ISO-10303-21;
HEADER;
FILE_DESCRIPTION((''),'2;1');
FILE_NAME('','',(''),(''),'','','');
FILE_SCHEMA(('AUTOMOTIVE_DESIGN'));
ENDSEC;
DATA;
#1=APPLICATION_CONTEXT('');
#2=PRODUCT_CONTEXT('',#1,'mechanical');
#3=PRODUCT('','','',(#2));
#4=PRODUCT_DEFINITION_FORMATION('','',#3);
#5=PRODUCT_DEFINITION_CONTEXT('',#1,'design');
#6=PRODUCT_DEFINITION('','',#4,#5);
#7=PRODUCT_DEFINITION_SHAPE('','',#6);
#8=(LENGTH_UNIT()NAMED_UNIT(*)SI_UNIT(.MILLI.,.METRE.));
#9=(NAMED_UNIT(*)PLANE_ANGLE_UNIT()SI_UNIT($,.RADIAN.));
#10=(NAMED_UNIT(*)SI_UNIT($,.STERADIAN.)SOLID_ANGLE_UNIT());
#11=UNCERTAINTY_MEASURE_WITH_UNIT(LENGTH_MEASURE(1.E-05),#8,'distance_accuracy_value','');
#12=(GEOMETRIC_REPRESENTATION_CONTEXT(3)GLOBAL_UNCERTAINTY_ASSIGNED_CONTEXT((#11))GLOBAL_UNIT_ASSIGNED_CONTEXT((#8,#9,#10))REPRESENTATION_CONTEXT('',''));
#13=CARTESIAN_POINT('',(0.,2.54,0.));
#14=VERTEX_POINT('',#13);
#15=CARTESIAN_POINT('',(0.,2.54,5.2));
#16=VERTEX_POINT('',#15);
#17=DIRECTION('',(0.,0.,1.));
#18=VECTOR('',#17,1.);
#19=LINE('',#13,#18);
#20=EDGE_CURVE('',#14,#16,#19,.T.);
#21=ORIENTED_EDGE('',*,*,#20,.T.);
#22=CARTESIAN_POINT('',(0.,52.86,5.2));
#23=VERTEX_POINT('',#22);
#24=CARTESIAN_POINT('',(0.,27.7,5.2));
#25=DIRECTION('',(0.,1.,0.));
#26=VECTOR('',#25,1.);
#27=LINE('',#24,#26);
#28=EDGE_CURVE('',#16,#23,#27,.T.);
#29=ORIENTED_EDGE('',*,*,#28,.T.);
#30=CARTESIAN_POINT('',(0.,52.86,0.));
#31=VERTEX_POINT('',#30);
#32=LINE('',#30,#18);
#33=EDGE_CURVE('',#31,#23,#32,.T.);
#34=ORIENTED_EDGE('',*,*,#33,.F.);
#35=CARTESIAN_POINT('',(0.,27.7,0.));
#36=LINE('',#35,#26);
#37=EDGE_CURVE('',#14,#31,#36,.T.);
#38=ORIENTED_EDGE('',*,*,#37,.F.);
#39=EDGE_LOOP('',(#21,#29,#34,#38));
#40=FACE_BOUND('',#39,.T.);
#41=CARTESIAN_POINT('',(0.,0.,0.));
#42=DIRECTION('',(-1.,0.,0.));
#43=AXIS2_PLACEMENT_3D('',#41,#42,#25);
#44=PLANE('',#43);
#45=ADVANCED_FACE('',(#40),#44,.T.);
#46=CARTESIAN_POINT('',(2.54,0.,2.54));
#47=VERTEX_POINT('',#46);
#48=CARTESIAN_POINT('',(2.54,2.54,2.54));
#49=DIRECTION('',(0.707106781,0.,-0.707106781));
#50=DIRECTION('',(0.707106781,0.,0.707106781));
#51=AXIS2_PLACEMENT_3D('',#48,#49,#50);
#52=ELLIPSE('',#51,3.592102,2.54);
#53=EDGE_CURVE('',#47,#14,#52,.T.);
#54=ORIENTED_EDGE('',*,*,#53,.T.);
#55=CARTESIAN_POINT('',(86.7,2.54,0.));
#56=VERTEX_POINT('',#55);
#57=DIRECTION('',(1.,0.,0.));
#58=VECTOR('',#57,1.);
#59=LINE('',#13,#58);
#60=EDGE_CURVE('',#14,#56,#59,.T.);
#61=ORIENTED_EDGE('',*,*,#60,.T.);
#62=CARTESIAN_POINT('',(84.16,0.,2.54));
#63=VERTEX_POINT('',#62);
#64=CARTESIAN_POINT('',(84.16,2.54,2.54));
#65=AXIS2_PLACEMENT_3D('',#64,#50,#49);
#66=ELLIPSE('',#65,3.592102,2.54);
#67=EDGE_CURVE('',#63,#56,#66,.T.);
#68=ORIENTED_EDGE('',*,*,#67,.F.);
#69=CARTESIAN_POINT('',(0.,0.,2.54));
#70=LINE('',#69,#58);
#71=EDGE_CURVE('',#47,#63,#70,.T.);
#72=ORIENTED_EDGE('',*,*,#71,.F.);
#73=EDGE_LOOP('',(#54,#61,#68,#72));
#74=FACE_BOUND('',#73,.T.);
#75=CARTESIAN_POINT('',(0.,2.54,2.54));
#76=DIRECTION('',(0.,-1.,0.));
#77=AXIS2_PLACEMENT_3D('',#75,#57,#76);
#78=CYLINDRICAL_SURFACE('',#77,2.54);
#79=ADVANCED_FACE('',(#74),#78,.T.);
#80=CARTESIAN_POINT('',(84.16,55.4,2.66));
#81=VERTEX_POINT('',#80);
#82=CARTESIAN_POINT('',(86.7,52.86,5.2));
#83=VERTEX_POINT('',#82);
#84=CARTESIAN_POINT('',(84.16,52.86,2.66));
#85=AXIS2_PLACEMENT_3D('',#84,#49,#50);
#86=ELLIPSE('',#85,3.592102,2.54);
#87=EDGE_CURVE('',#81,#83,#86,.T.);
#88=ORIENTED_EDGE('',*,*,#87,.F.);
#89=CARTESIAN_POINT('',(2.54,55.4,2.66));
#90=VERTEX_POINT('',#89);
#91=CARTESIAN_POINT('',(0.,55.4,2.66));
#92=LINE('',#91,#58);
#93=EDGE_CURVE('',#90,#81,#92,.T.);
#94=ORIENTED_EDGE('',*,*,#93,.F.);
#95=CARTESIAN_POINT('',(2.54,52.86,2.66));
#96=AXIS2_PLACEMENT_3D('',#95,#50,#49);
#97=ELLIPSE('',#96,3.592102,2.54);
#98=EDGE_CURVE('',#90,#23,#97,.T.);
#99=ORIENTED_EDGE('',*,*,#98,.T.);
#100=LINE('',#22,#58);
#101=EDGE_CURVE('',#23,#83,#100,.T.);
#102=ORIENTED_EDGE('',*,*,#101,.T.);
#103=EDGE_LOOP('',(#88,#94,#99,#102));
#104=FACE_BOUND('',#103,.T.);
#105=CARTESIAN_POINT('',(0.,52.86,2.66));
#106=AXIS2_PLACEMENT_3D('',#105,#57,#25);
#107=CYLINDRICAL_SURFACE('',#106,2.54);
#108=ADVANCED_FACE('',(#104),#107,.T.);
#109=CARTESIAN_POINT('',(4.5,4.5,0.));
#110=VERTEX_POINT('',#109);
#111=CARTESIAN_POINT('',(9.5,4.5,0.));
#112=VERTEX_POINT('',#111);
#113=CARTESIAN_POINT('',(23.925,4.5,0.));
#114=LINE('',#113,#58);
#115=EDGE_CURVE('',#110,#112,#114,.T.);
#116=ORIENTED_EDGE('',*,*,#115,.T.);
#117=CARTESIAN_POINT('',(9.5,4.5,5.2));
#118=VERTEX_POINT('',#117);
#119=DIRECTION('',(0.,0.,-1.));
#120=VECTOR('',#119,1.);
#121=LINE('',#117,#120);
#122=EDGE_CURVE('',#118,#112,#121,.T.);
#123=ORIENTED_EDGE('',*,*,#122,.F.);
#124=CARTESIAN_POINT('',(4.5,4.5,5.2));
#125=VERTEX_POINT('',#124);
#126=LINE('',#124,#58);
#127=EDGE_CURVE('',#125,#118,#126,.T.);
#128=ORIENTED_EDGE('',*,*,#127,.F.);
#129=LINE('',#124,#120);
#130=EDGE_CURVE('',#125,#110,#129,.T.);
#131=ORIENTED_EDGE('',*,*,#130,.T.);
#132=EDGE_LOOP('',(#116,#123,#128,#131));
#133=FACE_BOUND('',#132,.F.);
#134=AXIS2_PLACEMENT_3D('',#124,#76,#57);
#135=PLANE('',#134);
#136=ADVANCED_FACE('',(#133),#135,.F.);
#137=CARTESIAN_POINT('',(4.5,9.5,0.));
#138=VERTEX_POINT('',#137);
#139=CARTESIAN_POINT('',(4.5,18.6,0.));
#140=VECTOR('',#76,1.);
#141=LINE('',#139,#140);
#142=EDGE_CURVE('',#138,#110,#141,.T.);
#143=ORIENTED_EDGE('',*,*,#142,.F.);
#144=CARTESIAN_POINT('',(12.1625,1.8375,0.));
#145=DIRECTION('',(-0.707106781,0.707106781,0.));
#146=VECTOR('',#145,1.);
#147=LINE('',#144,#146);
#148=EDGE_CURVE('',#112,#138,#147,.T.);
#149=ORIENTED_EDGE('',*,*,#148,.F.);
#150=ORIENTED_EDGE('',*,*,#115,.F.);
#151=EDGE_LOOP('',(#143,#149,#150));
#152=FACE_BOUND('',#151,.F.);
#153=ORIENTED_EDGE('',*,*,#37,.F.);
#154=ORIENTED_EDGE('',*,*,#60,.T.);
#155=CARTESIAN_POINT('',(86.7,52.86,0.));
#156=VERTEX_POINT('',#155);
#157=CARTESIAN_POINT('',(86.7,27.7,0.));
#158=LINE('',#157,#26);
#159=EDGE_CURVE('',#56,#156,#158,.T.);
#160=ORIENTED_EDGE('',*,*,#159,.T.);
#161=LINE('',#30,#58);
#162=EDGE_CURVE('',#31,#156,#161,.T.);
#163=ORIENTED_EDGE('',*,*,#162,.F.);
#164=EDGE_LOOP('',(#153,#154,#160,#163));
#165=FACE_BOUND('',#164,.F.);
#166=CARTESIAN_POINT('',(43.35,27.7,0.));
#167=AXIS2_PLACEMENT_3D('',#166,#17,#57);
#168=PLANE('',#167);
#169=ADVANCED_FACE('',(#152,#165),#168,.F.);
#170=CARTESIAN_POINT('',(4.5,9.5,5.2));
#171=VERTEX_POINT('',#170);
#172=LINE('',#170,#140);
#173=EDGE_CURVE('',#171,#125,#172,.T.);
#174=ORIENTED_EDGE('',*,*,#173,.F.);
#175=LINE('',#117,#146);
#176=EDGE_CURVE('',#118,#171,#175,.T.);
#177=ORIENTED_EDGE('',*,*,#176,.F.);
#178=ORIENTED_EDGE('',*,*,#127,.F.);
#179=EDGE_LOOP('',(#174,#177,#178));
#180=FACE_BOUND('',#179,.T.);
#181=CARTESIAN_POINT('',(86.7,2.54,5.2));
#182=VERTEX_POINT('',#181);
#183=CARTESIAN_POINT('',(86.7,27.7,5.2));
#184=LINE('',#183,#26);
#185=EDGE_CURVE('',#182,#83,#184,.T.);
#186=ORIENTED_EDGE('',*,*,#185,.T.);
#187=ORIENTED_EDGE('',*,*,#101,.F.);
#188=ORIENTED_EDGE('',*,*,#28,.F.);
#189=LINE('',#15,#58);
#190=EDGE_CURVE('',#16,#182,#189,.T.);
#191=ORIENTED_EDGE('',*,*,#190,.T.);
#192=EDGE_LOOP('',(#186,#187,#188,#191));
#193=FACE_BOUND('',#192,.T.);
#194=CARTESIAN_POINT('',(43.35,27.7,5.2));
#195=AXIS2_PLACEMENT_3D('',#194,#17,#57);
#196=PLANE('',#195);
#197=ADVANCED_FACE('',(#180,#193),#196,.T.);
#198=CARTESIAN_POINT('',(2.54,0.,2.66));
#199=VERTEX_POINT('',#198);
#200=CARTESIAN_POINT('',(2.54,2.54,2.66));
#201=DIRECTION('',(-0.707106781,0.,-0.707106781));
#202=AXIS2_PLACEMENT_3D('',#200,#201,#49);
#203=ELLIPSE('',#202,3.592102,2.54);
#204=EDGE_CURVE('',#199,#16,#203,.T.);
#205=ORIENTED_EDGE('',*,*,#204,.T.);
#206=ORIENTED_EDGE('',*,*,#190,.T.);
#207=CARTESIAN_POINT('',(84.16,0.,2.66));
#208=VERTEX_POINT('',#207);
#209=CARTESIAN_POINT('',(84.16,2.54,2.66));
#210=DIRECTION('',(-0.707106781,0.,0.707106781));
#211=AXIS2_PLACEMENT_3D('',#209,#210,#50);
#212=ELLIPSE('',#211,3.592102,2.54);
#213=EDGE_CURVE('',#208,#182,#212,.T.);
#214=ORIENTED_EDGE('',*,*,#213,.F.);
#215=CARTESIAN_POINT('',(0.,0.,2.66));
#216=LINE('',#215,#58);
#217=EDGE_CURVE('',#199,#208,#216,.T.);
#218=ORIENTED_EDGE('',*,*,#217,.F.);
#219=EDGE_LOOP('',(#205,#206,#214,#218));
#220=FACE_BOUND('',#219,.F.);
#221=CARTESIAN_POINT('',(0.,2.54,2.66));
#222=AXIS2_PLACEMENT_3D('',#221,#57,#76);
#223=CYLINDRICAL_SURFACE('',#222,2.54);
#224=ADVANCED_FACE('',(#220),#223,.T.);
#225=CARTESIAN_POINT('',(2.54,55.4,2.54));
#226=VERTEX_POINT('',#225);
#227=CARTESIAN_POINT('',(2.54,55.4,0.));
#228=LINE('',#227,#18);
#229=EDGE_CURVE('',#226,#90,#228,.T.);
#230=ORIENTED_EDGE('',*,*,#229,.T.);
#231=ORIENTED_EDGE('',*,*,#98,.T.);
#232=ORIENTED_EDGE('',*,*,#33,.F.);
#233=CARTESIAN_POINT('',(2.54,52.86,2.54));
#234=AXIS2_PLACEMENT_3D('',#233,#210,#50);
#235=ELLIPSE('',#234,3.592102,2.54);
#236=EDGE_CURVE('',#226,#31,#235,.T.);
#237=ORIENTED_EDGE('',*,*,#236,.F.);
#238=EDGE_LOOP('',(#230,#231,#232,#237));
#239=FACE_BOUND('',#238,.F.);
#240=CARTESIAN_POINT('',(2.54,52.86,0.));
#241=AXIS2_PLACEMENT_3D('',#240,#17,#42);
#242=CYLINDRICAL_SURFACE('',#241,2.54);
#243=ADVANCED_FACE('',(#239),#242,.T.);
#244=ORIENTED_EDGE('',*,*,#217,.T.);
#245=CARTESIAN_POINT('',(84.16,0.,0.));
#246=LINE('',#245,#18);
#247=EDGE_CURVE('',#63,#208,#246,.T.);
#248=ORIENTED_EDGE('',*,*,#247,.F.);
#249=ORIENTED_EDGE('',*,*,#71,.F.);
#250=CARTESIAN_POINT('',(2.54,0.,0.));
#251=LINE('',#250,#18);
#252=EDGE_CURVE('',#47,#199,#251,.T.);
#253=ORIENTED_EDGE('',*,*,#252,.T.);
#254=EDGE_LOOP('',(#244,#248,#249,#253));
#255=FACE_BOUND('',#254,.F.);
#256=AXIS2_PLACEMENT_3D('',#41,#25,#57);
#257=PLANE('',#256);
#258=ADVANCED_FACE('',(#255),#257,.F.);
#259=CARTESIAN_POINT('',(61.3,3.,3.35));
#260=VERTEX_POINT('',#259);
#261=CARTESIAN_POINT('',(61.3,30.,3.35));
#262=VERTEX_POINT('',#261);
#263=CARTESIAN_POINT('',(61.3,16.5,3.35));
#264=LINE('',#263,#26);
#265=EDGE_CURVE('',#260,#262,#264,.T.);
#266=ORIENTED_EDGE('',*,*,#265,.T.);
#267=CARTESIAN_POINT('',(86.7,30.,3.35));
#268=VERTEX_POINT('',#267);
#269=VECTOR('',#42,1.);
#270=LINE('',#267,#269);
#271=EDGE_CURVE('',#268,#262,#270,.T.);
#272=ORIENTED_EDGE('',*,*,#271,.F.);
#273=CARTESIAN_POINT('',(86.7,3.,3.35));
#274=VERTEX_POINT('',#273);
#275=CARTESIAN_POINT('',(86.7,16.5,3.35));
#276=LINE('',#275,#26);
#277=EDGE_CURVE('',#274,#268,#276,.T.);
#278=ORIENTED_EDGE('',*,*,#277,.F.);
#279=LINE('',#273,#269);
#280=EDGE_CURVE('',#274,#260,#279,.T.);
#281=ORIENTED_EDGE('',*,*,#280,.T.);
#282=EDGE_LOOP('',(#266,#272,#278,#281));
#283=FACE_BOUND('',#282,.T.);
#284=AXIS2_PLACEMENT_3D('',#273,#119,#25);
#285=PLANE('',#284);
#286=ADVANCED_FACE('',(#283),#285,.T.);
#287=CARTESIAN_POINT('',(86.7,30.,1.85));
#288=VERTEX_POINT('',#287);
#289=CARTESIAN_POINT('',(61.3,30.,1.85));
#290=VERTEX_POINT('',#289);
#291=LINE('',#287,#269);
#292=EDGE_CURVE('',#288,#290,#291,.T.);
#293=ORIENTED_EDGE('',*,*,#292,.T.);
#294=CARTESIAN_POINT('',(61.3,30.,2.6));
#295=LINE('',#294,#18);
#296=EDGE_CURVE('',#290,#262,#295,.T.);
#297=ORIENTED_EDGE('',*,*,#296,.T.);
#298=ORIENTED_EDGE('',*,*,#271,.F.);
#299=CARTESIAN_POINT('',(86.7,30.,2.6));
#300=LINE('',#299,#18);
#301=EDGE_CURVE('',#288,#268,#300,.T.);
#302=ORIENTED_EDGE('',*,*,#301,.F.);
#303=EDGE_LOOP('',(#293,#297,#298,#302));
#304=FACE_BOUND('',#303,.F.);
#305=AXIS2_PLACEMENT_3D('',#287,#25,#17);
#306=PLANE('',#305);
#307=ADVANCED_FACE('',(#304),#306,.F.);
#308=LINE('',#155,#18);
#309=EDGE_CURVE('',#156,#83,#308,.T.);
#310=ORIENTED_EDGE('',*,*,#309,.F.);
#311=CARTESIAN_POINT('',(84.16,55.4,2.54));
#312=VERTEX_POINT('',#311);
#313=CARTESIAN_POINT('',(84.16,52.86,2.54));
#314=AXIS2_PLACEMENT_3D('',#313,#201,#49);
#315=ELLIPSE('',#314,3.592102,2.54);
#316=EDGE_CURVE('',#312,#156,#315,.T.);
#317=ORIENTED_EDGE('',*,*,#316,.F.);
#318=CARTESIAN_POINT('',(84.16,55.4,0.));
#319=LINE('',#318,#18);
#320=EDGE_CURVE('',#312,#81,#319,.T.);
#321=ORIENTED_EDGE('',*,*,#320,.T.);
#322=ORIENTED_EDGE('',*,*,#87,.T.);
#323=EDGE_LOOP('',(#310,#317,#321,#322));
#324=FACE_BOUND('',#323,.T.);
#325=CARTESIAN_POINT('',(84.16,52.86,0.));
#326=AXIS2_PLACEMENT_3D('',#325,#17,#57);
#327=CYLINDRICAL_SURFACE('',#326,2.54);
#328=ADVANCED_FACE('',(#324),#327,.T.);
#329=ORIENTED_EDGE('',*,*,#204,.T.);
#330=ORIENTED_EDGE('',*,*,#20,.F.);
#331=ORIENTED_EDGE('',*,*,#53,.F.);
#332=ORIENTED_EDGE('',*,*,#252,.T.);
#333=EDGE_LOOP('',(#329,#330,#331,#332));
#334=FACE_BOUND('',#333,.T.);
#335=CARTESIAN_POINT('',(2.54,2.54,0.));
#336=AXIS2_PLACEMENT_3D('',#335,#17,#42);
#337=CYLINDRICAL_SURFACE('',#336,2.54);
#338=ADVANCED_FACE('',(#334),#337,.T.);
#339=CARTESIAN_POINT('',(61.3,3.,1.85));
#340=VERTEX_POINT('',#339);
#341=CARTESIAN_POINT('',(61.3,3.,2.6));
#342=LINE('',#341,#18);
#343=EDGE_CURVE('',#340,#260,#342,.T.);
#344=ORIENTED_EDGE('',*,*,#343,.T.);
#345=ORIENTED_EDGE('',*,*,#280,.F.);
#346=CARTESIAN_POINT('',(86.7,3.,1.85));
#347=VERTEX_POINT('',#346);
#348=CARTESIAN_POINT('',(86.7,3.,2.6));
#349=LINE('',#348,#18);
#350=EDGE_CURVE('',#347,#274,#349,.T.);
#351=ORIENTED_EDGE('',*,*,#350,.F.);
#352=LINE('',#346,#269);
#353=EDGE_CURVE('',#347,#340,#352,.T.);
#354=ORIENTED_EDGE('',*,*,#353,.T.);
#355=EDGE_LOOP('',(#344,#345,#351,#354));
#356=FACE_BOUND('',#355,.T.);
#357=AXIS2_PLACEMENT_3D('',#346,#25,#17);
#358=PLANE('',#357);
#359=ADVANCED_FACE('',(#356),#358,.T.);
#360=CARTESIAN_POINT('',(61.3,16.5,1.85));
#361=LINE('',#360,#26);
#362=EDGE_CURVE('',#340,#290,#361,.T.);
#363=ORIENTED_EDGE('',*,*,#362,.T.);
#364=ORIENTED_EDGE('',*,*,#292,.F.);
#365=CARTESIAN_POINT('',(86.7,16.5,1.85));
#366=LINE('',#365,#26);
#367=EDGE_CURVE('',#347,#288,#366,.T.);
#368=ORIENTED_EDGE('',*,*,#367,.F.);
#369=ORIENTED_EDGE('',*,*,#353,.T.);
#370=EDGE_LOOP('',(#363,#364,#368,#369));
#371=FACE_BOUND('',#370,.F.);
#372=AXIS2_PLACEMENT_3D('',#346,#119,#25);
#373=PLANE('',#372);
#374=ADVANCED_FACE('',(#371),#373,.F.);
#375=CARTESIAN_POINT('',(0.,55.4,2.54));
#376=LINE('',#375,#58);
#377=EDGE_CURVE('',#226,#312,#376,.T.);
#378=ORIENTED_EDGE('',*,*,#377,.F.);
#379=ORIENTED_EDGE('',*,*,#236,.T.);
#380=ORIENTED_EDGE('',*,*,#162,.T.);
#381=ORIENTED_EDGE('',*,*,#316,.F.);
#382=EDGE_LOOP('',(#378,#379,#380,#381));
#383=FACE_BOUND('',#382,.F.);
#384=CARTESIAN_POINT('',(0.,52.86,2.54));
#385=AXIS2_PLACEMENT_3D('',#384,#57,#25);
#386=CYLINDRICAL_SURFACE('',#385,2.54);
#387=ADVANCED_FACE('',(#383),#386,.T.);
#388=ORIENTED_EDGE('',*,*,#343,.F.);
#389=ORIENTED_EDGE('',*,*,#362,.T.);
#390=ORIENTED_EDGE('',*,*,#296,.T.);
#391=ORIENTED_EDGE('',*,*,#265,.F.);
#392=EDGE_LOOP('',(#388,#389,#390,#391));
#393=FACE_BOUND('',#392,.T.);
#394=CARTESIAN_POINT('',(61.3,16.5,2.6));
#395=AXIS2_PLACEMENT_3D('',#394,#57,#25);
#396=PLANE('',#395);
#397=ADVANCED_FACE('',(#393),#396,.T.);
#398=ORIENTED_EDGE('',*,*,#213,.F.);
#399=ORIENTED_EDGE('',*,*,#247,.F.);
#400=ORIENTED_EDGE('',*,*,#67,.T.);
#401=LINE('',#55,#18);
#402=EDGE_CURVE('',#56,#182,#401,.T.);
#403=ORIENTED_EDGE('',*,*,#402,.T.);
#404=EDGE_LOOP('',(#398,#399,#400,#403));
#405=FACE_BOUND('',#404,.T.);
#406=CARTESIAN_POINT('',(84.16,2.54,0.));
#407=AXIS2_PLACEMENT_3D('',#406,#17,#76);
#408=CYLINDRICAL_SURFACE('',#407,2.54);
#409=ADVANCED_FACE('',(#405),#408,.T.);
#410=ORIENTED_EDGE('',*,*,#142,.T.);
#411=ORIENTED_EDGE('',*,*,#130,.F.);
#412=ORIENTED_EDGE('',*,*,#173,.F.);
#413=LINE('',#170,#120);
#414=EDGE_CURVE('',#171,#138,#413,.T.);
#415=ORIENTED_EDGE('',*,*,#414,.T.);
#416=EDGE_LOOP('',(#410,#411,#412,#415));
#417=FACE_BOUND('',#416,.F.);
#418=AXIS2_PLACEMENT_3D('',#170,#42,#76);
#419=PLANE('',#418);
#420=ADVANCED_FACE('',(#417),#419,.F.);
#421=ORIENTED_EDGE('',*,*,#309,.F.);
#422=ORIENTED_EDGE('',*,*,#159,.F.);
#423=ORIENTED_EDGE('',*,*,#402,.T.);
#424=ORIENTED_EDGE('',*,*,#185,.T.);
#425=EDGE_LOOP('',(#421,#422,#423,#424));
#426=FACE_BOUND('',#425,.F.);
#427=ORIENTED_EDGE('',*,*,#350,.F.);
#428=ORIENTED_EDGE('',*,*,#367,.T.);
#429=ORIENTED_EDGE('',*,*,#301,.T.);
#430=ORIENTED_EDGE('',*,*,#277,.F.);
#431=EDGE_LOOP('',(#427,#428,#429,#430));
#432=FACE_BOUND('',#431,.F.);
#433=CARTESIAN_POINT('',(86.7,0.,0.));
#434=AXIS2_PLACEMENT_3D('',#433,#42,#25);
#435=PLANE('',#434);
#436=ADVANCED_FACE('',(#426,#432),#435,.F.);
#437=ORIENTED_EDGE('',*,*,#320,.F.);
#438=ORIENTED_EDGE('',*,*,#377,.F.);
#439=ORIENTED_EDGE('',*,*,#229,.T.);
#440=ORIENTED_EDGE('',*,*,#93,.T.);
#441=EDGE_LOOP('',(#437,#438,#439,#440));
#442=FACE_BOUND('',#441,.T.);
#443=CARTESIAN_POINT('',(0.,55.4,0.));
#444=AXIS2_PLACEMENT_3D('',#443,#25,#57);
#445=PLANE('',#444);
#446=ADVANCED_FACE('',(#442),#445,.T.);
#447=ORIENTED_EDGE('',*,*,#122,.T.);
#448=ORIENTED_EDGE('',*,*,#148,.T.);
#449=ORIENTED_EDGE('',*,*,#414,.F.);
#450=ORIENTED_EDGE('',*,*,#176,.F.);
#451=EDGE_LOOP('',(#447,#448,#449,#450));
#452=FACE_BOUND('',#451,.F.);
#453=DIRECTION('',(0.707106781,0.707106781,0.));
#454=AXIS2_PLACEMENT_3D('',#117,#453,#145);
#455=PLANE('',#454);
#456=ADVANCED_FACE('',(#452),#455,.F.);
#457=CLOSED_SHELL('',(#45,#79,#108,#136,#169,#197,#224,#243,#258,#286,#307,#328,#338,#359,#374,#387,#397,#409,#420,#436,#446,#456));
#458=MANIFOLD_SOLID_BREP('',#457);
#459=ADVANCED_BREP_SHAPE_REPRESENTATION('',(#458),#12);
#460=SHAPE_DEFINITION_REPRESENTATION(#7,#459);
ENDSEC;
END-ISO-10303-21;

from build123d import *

# Parameters (mm, degrees)
F0_W     = 86.7
F0_H     = 55.4
F1_DEPTH = 5.2
F2_R     = 2.54
F4_DEPTH = 25.4
F6_W     = 27
F6_H     = 1.5
F7_DEPTH = 25.4


with BuildPart() as f1:
    # F0 (on Top) → F1 (new body)
    with BuildSketch(Plane.XY):
        with Locations((43.35, 27.7)):
            Rectangle(F0_W, F0_H)
    extrude(amount=F1_DEPTH)

    # F2
    f2_edges = [f1.edges().sort_by_distance(p)[0] for p in [
        (43.35, 0, 5.2),
        (43.35, 0, 0),
        (43.35, 55.4, 5.2),
        (43.35, 55.4, 0),
        (86.7, 0, 2.6),
        (0, 0, 2.6),
        (0, 55.4, 2.6),
        (86.7, 55.4, 2.6),
    ]]
    fillet(f2_edges, radius=F2_R)

    # F3 (on face) → F4 (cut)
    with BuildSketch(Plane.XY.offset(5.2)):
        Polygon((9.5, 4.5), (4.5, 9.5), (4.5, 4.5), align=None)
    extrude(amount=-F4_DEPTH, mode=Mode.SUBTRACT)

    # F6 (on face) → F7 (cut)
    with BuildSketch(Plane.YZ.offset(86.7)):
        with Locations((16.5, 2.6)):
            Rectangle(F6_W, F6_H)
    extrude(amount=-F7_DEPTH, mode=Mode.SUBTRACT)


solid = f1.part
